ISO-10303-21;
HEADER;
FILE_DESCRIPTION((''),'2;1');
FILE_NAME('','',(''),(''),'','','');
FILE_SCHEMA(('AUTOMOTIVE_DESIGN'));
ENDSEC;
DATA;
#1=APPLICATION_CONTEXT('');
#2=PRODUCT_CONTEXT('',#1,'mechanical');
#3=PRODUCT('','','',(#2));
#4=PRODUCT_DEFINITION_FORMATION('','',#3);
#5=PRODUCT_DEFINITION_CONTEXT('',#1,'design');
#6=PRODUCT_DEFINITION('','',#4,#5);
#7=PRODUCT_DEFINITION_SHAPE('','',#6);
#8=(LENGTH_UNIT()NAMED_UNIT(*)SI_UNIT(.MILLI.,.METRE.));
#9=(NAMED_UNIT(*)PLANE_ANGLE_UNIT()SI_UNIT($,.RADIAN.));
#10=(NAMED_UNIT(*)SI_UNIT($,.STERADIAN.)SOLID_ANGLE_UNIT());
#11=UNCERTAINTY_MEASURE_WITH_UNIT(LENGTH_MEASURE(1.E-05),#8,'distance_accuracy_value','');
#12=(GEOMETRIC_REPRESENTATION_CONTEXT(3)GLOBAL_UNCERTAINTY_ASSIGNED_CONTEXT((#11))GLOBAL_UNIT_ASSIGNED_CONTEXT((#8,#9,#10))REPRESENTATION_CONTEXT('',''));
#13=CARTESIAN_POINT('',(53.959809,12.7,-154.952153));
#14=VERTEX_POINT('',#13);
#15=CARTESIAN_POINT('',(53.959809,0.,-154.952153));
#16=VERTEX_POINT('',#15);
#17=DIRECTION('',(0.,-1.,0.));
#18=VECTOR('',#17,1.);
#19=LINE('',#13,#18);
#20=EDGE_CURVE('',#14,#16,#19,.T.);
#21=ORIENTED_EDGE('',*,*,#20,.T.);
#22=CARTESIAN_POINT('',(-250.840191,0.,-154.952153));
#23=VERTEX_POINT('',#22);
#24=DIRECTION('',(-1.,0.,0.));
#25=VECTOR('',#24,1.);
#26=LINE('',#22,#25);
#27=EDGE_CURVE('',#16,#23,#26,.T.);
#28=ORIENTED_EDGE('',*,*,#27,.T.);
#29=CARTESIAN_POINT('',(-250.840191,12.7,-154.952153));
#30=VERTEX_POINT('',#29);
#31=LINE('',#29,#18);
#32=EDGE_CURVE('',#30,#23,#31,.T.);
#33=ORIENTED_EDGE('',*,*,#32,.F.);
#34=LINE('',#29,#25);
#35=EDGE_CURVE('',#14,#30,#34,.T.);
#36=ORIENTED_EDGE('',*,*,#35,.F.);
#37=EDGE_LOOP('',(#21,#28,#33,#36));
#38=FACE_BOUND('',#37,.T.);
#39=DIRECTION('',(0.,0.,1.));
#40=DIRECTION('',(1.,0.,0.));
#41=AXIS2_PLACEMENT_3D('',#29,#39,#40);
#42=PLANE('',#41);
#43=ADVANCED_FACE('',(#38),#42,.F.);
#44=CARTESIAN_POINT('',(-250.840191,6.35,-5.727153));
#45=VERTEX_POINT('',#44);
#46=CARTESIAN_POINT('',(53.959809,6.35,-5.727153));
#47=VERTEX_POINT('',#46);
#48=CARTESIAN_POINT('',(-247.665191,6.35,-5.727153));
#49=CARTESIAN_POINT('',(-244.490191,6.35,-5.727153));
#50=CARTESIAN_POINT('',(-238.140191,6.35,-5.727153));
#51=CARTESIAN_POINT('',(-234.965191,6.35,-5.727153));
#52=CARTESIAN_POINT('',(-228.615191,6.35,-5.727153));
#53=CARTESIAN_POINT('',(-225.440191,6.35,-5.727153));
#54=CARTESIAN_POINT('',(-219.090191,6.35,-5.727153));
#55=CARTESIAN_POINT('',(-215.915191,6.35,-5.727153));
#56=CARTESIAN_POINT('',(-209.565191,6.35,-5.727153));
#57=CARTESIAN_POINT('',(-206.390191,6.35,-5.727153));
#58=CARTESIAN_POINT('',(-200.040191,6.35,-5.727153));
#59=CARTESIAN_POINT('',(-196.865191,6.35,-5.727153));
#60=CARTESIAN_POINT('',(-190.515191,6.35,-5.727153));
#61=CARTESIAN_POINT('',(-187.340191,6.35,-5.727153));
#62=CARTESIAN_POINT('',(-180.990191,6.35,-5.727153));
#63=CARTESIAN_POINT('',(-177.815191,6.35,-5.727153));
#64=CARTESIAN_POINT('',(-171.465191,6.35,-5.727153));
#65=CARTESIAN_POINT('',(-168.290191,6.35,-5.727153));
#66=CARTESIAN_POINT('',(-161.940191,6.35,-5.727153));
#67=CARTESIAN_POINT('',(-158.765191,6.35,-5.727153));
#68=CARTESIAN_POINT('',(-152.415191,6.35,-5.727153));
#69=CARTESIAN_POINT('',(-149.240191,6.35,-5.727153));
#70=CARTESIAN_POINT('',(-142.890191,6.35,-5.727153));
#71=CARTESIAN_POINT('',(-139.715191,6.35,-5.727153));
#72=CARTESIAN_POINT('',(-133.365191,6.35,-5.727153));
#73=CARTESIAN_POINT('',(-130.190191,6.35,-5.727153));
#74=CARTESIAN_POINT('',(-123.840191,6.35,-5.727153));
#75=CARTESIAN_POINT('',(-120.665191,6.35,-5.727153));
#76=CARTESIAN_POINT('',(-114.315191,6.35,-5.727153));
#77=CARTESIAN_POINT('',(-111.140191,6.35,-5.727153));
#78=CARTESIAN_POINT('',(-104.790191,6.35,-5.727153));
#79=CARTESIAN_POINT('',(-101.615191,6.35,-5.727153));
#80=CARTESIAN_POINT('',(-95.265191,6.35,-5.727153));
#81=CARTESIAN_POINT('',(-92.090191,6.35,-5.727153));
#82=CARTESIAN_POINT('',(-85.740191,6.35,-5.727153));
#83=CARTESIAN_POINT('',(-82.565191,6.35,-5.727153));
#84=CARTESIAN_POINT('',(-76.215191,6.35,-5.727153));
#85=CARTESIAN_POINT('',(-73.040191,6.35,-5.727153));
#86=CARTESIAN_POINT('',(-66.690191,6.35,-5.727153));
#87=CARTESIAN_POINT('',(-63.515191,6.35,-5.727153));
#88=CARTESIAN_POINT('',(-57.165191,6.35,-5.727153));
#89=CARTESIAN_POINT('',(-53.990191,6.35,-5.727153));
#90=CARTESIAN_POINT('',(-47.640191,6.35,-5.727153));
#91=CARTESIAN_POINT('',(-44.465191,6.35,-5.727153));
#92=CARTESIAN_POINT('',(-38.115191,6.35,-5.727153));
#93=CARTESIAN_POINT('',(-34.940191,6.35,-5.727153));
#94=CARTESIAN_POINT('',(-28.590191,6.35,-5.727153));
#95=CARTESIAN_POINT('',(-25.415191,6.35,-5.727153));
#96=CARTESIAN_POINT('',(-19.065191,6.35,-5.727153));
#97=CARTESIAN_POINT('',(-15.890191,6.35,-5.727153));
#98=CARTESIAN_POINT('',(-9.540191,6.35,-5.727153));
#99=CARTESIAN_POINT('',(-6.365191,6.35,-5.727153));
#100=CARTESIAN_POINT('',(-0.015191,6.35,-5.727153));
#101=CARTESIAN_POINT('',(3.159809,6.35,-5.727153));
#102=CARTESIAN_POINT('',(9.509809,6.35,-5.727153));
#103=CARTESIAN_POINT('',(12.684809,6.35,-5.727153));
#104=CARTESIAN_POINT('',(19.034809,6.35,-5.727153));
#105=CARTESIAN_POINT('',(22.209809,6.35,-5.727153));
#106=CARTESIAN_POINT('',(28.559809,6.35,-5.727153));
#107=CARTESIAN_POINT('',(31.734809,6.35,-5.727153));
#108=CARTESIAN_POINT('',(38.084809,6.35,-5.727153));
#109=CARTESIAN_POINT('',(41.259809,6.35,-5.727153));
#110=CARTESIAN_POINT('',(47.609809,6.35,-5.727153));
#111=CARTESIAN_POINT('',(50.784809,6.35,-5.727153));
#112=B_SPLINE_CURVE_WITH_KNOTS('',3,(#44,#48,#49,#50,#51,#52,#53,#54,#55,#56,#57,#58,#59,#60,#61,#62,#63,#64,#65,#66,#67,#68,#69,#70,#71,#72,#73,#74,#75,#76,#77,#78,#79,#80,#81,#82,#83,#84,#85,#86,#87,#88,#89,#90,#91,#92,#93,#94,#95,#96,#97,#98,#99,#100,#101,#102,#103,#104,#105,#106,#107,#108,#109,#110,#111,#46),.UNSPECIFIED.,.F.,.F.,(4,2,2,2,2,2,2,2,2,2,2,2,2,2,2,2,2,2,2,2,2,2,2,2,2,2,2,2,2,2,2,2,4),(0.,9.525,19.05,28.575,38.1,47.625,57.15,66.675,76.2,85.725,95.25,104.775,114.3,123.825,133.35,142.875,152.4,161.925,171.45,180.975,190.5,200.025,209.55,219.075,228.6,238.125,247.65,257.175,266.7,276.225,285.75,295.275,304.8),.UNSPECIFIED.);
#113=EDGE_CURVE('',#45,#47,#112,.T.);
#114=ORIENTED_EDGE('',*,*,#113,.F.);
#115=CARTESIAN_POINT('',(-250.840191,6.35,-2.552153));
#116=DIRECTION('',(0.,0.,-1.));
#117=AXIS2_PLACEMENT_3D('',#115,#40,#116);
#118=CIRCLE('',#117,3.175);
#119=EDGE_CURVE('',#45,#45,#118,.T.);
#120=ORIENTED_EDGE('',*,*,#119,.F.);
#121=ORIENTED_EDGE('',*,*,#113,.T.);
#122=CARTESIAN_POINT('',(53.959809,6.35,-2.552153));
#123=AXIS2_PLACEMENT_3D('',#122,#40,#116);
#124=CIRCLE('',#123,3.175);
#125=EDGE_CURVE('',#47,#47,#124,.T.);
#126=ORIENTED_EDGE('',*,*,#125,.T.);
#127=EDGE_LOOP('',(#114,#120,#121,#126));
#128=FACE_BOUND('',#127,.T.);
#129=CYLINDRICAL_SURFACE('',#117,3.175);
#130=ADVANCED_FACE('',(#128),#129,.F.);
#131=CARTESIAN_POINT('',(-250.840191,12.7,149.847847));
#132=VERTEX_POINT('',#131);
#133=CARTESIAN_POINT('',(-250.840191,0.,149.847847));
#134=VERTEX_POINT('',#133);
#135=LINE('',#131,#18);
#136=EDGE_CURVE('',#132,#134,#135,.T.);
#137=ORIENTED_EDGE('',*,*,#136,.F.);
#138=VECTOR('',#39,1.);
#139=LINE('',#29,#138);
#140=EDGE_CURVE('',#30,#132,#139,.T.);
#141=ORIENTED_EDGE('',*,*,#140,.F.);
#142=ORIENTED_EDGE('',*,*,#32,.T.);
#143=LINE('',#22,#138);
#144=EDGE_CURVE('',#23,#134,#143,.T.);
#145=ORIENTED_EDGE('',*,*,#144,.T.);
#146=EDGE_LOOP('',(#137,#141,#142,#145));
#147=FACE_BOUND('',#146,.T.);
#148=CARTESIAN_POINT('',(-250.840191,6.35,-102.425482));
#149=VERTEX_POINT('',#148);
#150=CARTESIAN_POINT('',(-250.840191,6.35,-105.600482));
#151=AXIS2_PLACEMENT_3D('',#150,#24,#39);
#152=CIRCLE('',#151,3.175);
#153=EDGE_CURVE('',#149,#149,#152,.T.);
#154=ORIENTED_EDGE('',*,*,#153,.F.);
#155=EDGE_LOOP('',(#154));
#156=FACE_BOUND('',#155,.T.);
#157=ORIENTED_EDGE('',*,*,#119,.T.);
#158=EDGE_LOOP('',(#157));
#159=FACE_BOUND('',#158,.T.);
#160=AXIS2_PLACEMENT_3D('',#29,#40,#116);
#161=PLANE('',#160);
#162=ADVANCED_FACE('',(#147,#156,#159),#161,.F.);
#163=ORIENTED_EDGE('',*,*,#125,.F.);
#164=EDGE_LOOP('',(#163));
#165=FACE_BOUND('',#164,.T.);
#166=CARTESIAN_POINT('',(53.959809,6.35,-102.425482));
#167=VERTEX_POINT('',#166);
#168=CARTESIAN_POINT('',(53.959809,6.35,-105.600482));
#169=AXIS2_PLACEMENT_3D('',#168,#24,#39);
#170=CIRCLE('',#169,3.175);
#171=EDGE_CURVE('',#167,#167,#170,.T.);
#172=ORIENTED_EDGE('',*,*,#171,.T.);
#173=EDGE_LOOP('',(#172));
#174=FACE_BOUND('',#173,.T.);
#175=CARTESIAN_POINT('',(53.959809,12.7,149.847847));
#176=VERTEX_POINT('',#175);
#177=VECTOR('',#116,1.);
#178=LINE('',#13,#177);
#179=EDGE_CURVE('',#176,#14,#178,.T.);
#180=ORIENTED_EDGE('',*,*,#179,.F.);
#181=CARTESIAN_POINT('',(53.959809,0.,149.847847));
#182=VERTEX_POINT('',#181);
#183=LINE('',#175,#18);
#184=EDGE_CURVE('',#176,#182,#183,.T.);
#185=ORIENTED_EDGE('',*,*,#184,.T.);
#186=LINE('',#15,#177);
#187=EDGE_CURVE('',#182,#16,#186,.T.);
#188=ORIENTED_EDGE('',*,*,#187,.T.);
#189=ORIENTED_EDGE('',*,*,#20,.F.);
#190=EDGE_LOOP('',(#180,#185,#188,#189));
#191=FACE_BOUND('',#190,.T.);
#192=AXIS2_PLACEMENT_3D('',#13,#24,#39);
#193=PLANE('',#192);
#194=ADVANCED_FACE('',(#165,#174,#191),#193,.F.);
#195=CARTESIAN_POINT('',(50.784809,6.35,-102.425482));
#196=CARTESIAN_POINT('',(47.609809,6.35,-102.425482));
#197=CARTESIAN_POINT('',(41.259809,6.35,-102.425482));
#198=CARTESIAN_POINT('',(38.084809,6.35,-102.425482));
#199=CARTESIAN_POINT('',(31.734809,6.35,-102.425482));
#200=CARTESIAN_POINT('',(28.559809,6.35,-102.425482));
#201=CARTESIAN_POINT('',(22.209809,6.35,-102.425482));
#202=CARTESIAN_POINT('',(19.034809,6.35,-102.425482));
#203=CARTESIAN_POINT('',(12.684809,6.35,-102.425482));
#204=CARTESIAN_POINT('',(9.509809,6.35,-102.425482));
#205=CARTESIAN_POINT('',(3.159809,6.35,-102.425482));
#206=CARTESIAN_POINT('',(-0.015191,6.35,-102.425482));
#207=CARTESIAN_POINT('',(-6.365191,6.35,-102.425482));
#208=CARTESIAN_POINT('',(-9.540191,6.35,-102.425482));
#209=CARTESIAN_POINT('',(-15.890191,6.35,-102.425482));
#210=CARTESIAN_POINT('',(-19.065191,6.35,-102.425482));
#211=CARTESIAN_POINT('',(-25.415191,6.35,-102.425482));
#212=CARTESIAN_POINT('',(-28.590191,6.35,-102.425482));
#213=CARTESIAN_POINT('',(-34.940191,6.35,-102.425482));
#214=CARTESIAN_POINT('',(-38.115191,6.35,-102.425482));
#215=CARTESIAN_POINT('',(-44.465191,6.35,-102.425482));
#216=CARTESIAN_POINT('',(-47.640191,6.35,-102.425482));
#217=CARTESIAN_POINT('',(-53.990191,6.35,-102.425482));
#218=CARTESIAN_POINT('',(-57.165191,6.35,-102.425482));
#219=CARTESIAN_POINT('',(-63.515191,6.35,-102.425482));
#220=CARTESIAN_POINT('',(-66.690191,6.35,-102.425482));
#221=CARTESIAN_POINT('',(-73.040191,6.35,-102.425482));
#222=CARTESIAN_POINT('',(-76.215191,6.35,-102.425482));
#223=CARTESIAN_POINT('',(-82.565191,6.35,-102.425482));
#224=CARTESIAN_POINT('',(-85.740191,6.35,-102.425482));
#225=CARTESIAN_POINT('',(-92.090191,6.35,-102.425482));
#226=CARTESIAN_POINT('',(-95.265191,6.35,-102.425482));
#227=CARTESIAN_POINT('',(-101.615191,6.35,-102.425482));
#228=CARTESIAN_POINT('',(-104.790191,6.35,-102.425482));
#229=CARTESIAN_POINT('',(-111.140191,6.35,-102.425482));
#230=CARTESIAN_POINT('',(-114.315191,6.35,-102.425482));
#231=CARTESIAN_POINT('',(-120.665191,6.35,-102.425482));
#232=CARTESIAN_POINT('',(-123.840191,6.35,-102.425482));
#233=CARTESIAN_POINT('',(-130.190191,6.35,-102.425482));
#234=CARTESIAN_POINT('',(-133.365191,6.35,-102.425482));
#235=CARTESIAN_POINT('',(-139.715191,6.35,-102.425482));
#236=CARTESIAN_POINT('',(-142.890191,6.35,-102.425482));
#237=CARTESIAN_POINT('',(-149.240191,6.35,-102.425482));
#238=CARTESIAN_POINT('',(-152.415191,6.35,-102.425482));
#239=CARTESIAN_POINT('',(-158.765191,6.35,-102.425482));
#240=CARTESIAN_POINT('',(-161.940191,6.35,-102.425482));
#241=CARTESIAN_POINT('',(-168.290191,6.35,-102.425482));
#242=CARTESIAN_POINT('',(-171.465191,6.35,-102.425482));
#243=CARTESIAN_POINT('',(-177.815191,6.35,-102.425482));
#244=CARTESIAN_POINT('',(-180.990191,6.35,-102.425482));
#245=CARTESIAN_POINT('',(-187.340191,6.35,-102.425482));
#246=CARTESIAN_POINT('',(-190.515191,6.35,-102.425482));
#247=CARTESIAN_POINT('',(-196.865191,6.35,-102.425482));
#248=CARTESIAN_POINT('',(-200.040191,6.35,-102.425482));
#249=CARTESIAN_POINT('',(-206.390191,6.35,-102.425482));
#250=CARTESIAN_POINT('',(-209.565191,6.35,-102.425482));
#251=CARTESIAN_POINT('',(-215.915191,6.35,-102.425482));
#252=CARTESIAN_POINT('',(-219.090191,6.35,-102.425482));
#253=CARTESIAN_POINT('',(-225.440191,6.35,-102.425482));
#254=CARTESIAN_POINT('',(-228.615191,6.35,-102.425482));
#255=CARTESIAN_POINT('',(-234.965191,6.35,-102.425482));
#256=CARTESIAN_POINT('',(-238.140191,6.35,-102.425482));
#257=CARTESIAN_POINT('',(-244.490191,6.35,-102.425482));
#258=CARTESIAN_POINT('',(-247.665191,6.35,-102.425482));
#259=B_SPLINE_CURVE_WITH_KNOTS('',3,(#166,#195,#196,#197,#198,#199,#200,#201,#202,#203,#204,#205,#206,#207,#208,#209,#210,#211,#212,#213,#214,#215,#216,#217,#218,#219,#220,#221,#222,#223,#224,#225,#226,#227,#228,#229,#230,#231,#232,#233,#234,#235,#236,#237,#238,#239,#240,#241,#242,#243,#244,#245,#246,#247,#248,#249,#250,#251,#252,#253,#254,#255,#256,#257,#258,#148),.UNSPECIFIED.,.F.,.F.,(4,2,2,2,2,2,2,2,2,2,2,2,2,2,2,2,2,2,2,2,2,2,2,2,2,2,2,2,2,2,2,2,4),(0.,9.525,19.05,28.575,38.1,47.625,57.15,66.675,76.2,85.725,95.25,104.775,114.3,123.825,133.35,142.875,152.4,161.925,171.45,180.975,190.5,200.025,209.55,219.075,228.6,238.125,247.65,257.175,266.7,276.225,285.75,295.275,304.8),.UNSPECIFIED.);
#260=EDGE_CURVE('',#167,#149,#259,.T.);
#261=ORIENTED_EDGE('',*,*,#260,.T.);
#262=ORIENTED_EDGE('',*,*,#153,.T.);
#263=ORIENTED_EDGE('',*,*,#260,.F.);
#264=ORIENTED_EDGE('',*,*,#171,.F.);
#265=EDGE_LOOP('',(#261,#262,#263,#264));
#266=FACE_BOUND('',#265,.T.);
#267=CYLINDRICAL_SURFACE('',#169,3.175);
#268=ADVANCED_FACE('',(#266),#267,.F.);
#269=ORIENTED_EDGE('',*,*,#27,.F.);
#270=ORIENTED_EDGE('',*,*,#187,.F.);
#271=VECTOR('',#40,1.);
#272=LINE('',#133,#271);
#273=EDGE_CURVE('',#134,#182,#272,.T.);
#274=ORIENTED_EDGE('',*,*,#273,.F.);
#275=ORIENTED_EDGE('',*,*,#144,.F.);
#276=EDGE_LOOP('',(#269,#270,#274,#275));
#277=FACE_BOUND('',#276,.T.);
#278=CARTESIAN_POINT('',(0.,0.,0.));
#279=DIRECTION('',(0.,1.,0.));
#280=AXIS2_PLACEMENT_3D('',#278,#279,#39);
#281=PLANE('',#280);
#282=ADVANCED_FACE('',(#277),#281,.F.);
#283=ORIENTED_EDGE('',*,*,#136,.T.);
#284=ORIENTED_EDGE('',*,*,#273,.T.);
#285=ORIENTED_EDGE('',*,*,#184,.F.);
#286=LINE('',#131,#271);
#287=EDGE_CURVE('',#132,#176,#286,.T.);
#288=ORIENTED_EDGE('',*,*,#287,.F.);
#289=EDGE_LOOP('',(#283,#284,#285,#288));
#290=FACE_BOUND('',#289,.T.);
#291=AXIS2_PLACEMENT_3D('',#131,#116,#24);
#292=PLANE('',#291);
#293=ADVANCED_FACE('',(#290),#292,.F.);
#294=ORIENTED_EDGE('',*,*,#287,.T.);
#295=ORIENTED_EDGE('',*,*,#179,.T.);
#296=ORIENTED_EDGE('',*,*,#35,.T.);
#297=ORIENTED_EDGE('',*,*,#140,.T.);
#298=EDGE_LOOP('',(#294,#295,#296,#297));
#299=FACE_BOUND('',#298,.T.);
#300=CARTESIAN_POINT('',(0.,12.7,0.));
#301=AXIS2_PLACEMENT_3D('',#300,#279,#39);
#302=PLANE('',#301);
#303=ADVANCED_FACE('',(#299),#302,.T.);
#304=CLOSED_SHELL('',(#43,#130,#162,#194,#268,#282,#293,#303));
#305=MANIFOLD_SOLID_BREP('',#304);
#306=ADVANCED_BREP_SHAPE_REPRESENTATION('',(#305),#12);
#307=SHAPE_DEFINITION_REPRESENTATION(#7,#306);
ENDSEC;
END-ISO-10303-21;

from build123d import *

# Parameters (mm, degrees)
SKETCH2_W           = 304.8
SKETCH2_H           = 304.8
BOSS_EXTRUDE1_DEPTH = 12.7
SKETCH3_R           = 3.175
CUT_EXTRUDE1_DEPTH  = 343.16151121
SKETCH4_R           = 3.175
CUT_EXTRUDE2_DEPTH  = 343.16151121


with BuildPart() as part:
    # Sketch2 → Boss-Extrude1 (new body)
    with BuildSketch(Plane(origin=(0, 0, 0), x_dir=(1, 0, 0), z_dir=(0, 1, 0))):
        with Locations((-98.440191388, 2.55215311)):
            Rectangle(SKETCH2_W, SKETCH2_H)
    extrude(amount=BOSS_EXTRUDE1_DEPTH)

    # Sketch3 → Cut-Extrude1 (cut, through all)
    with BuildSketch(Plane(origin=(53.959808612, 0, 0), x_dir=(0, 0, -1), z_dir=(1, 0, 0))):
        with Locations((2.55215311, 6.35)):
            Circle(SKETCH3_R)
    extrude(amount=-CUT_EXTRUDE1_DEPTH, mode=Mode.SUBTRACT)

    # Sketch4 → Cut-Extrude2 (cut, through all)
    with BuildSketch(Plane.ZY.offset(250.840191388)):
        with Locations((-105.600481839, 6.35)):
            Circle(SKETCH4_R)
    extrude(amount=-CUT_EXTRUDE2_DEPTH, mode=Mode.SUBTRACT)


solid = part.part
